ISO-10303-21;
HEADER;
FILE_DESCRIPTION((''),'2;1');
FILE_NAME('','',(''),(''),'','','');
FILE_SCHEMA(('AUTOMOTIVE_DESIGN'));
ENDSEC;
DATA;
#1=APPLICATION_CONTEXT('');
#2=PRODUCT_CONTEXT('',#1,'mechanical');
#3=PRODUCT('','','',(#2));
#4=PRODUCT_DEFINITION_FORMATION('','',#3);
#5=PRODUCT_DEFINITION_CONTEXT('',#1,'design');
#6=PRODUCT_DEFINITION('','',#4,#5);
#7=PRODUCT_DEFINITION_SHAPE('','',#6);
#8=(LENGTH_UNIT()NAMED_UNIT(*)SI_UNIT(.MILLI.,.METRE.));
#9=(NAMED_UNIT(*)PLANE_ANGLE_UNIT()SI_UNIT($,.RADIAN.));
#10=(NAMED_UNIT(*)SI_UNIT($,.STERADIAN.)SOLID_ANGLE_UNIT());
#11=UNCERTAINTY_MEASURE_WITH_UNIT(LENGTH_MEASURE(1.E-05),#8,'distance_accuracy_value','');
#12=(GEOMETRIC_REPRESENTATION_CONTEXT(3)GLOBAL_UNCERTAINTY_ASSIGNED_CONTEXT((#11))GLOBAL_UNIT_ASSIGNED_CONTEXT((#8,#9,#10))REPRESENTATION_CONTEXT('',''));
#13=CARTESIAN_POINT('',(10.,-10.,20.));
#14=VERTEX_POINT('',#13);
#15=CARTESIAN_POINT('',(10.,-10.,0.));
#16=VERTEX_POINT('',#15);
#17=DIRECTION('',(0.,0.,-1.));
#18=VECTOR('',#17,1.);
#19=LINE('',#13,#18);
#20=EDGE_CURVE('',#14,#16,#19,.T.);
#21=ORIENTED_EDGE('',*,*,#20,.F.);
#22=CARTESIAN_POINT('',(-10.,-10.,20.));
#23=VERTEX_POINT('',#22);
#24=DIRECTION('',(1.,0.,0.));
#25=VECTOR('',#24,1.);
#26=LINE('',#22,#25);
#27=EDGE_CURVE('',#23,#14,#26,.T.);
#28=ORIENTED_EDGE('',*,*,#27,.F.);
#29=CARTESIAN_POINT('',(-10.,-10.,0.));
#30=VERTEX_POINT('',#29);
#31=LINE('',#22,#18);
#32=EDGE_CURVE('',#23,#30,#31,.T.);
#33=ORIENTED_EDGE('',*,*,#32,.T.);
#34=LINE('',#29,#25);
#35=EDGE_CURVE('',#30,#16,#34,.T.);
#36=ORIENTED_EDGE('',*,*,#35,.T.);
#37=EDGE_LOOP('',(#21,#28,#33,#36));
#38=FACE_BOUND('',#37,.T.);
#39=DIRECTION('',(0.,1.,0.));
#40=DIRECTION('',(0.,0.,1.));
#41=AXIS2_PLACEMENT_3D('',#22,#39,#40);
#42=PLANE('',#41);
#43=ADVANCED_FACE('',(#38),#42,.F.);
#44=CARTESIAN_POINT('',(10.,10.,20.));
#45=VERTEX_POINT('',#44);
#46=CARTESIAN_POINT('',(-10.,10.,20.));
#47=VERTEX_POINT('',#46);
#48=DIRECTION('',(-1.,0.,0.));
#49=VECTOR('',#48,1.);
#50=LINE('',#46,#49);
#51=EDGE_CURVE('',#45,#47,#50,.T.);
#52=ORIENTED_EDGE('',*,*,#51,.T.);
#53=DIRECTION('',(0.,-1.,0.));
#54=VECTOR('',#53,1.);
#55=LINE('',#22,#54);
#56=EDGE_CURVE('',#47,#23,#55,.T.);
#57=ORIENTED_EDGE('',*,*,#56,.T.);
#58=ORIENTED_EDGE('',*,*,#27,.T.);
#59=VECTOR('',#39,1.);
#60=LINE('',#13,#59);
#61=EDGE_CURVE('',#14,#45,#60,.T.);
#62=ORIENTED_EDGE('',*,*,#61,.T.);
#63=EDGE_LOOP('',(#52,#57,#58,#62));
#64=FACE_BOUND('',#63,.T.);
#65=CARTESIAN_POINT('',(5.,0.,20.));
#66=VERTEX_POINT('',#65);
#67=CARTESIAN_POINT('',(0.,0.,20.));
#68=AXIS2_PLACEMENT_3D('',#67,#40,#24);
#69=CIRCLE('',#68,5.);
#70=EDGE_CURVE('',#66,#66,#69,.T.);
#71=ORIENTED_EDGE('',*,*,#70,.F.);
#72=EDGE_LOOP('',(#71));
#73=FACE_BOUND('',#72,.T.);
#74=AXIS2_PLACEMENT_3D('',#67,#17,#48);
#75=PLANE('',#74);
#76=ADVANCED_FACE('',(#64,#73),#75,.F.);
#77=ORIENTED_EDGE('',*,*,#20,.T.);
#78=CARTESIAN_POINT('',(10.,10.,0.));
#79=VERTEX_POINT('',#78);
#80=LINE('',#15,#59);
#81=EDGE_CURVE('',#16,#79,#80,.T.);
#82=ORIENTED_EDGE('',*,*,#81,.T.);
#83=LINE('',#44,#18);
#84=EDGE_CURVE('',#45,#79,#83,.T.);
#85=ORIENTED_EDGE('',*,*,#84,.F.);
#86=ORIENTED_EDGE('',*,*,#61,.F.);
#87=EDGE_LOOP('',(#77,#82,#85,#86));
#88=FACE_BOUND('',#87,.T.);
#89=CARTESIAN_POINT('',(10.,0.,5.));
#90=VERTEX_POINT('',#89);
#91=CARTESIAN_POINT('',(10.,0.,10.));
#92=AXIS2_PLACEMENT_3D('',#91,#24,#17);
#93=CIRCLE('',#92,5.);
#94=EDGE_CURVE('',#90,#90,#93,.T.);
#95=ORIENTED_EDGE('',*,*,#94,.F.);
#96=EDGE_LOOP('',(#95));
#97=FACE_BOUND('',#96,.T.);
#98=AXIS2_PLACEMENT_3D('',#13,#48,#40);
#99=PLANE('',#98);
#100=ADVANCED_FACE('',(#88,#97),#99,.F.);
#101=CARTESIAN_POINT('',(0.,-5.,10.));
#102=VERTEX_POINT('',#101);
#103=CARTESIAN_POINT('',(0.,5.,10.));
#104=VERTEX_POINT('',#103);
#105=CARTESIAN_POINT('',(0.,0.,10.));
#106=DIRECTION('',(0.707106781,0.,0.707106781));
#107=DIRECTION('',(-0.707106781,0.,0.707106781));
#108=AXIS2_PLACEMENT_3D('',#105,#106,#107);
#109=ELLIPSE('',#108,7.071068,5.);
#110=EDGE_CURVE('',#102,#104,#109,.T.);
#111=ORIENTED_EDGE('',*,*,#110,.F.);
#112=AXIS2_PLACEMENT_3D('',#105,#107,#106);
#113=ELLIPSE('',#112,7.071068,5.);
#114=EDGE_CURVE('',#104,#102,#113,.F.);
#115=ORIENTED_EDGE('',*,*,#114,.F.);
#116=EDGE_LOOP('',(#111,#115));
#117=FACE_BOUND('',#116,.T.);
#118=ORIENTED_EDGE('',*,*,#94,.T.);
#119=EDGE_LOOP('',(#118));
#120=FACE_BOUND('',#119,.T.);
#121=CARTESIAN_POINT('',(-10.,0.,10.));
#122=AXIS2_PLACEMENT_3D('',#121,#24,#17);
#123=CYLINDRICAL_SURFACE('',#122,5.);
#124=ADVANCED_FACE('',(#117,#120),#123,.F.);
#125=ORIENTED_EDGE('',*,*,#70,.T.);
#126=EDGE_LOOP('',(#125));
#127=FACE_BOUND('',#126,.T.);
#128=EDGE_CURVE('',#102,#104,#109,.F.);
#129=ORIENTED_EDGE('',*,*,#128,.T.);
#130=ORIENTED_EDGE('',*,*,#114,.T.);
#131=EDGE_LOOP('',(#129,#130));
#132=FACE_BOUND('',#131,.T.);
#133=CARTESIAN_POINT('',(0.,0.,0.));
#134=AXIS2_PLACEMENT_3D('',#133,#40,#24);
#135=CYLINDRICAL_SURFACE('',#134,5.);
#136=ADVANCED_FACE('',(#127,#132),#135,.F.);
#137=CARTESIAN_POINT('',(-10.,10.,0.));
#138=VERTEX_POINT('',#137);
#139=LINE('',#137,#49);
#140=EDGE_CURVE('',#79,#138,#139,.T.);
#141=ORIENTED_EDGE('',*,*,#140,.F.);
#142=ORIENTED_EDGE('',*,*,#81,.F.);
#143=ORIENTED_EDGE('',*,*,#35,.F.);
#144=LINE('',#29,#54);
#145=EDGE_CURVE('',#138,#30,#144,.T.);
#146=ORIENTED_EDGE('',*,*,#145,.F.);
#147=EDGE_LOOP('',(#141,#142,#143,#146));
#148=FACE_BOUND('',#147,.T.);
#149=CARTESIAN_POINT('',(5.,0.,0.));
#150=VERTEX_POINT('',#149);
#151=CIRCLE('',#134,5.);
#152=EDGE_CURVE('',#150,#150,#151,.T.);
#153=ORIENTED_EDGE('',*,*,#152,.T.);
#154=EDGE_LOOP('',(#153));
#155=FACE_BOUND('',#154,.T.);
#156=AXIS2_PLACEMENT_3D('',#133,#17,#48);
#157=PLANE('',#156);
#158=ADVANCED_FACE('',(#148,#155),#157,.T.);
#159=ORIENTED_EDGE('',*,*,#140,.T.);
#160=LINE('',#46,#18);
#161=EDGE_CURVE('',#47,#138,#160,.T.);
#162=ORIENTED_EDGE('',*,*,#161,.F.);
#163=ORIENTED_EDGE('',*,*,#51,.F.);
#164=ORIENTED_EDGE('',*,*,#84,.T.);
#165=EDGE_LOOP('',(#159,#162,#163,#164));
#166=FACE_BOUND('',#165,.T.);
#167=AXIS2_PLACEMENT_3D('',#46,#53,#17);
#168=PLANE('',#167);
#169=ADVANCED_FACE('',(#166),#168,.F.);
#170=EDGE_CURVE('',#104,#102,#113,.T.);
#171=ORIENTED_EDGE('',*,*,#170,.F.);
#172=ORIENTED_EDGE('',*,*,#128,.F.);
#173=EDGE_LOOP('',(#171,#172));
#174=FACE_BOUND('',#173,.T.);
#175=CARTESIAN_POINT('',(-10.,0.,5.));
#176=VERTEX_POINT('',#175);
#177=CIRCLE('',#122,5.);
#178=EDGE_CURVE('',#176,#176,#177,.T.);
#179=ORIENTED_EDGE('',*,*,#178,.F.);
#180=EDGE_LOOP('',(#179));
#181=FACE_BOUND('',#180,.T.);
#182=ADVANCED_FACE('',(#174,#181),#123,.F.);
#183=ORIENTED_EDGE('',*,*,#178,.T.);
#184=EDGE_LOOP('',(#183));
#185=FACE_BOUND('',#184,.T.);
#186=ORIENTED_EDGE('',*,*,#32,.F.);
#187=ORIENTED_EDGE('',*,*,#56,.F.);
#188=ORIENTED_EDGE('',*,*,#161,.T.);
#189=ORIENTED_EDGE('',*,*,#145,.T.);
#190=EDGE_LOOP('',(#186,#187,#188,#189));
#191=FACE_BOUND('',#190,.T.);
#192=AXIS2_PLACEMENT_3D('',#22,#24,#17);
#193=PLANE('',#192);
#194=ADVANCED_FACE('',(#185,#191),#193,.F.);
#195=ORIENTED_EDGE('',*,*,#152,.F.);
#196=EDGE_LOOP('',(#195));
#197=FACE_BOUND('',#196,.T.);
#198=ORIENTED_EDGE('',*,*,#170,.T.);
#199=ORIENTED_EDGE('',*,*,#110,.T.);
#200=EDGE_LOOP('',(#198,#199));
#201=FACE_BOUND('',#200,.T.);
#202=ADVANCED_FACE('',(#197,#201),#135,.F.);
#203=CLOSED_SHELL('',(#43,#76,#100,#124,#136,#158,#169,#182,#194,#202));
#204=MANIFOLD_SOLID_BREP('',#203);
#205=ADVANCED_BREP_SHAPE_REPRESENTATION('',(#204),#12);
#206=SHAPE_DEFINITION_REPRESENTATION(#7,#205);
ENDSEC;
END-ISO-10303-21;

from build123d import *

# Parameters (mm, degrees)
SKETCH1_W           = 20
SKETCH1_H           = 20
BOSS_EXTRUDE1_DEPTH = 20
SKETCH2_R           = 5
CUT_EXTRUDE1_DEPTH  = 20
SKETCH3_R           = 5
CUT_EXTRUDE2_DEPTH  = 20


with BuildPart() as part:
    # Sketch1 → Boss-Extrude1 (new body)
    with BuildSketch(Plane.XY):
        Rectangle(SKETCH1_W, SKETCH1_H)
    extrude(amount=BOSS_EXTRUDE1_DEPTH)

    # Sketch2 → Cut-Extrude1 (cut)
    with BuildSketch(Plane.XY.offset(20)):
        Circle(SKETCH2_R)
    extrude(amount=-CUT_EXTRUDE1_DEPTH, mode=Mode.SUBTRACT)

    # Sketch3 → Cut-Extrude2 (cut)
    with BuildSketch(Plane(origin=(10, 0, 0), x_dir=(0, 0, -1), z_dir=(1, 0, 0))):
        with Locations((-10, 0)):
            Circle(SKETCH3_R)
    extrude(amount=-CUT_EXTRUDE2_DEPTH, mode=Mode.SUBTRACT)


solid = part.part
